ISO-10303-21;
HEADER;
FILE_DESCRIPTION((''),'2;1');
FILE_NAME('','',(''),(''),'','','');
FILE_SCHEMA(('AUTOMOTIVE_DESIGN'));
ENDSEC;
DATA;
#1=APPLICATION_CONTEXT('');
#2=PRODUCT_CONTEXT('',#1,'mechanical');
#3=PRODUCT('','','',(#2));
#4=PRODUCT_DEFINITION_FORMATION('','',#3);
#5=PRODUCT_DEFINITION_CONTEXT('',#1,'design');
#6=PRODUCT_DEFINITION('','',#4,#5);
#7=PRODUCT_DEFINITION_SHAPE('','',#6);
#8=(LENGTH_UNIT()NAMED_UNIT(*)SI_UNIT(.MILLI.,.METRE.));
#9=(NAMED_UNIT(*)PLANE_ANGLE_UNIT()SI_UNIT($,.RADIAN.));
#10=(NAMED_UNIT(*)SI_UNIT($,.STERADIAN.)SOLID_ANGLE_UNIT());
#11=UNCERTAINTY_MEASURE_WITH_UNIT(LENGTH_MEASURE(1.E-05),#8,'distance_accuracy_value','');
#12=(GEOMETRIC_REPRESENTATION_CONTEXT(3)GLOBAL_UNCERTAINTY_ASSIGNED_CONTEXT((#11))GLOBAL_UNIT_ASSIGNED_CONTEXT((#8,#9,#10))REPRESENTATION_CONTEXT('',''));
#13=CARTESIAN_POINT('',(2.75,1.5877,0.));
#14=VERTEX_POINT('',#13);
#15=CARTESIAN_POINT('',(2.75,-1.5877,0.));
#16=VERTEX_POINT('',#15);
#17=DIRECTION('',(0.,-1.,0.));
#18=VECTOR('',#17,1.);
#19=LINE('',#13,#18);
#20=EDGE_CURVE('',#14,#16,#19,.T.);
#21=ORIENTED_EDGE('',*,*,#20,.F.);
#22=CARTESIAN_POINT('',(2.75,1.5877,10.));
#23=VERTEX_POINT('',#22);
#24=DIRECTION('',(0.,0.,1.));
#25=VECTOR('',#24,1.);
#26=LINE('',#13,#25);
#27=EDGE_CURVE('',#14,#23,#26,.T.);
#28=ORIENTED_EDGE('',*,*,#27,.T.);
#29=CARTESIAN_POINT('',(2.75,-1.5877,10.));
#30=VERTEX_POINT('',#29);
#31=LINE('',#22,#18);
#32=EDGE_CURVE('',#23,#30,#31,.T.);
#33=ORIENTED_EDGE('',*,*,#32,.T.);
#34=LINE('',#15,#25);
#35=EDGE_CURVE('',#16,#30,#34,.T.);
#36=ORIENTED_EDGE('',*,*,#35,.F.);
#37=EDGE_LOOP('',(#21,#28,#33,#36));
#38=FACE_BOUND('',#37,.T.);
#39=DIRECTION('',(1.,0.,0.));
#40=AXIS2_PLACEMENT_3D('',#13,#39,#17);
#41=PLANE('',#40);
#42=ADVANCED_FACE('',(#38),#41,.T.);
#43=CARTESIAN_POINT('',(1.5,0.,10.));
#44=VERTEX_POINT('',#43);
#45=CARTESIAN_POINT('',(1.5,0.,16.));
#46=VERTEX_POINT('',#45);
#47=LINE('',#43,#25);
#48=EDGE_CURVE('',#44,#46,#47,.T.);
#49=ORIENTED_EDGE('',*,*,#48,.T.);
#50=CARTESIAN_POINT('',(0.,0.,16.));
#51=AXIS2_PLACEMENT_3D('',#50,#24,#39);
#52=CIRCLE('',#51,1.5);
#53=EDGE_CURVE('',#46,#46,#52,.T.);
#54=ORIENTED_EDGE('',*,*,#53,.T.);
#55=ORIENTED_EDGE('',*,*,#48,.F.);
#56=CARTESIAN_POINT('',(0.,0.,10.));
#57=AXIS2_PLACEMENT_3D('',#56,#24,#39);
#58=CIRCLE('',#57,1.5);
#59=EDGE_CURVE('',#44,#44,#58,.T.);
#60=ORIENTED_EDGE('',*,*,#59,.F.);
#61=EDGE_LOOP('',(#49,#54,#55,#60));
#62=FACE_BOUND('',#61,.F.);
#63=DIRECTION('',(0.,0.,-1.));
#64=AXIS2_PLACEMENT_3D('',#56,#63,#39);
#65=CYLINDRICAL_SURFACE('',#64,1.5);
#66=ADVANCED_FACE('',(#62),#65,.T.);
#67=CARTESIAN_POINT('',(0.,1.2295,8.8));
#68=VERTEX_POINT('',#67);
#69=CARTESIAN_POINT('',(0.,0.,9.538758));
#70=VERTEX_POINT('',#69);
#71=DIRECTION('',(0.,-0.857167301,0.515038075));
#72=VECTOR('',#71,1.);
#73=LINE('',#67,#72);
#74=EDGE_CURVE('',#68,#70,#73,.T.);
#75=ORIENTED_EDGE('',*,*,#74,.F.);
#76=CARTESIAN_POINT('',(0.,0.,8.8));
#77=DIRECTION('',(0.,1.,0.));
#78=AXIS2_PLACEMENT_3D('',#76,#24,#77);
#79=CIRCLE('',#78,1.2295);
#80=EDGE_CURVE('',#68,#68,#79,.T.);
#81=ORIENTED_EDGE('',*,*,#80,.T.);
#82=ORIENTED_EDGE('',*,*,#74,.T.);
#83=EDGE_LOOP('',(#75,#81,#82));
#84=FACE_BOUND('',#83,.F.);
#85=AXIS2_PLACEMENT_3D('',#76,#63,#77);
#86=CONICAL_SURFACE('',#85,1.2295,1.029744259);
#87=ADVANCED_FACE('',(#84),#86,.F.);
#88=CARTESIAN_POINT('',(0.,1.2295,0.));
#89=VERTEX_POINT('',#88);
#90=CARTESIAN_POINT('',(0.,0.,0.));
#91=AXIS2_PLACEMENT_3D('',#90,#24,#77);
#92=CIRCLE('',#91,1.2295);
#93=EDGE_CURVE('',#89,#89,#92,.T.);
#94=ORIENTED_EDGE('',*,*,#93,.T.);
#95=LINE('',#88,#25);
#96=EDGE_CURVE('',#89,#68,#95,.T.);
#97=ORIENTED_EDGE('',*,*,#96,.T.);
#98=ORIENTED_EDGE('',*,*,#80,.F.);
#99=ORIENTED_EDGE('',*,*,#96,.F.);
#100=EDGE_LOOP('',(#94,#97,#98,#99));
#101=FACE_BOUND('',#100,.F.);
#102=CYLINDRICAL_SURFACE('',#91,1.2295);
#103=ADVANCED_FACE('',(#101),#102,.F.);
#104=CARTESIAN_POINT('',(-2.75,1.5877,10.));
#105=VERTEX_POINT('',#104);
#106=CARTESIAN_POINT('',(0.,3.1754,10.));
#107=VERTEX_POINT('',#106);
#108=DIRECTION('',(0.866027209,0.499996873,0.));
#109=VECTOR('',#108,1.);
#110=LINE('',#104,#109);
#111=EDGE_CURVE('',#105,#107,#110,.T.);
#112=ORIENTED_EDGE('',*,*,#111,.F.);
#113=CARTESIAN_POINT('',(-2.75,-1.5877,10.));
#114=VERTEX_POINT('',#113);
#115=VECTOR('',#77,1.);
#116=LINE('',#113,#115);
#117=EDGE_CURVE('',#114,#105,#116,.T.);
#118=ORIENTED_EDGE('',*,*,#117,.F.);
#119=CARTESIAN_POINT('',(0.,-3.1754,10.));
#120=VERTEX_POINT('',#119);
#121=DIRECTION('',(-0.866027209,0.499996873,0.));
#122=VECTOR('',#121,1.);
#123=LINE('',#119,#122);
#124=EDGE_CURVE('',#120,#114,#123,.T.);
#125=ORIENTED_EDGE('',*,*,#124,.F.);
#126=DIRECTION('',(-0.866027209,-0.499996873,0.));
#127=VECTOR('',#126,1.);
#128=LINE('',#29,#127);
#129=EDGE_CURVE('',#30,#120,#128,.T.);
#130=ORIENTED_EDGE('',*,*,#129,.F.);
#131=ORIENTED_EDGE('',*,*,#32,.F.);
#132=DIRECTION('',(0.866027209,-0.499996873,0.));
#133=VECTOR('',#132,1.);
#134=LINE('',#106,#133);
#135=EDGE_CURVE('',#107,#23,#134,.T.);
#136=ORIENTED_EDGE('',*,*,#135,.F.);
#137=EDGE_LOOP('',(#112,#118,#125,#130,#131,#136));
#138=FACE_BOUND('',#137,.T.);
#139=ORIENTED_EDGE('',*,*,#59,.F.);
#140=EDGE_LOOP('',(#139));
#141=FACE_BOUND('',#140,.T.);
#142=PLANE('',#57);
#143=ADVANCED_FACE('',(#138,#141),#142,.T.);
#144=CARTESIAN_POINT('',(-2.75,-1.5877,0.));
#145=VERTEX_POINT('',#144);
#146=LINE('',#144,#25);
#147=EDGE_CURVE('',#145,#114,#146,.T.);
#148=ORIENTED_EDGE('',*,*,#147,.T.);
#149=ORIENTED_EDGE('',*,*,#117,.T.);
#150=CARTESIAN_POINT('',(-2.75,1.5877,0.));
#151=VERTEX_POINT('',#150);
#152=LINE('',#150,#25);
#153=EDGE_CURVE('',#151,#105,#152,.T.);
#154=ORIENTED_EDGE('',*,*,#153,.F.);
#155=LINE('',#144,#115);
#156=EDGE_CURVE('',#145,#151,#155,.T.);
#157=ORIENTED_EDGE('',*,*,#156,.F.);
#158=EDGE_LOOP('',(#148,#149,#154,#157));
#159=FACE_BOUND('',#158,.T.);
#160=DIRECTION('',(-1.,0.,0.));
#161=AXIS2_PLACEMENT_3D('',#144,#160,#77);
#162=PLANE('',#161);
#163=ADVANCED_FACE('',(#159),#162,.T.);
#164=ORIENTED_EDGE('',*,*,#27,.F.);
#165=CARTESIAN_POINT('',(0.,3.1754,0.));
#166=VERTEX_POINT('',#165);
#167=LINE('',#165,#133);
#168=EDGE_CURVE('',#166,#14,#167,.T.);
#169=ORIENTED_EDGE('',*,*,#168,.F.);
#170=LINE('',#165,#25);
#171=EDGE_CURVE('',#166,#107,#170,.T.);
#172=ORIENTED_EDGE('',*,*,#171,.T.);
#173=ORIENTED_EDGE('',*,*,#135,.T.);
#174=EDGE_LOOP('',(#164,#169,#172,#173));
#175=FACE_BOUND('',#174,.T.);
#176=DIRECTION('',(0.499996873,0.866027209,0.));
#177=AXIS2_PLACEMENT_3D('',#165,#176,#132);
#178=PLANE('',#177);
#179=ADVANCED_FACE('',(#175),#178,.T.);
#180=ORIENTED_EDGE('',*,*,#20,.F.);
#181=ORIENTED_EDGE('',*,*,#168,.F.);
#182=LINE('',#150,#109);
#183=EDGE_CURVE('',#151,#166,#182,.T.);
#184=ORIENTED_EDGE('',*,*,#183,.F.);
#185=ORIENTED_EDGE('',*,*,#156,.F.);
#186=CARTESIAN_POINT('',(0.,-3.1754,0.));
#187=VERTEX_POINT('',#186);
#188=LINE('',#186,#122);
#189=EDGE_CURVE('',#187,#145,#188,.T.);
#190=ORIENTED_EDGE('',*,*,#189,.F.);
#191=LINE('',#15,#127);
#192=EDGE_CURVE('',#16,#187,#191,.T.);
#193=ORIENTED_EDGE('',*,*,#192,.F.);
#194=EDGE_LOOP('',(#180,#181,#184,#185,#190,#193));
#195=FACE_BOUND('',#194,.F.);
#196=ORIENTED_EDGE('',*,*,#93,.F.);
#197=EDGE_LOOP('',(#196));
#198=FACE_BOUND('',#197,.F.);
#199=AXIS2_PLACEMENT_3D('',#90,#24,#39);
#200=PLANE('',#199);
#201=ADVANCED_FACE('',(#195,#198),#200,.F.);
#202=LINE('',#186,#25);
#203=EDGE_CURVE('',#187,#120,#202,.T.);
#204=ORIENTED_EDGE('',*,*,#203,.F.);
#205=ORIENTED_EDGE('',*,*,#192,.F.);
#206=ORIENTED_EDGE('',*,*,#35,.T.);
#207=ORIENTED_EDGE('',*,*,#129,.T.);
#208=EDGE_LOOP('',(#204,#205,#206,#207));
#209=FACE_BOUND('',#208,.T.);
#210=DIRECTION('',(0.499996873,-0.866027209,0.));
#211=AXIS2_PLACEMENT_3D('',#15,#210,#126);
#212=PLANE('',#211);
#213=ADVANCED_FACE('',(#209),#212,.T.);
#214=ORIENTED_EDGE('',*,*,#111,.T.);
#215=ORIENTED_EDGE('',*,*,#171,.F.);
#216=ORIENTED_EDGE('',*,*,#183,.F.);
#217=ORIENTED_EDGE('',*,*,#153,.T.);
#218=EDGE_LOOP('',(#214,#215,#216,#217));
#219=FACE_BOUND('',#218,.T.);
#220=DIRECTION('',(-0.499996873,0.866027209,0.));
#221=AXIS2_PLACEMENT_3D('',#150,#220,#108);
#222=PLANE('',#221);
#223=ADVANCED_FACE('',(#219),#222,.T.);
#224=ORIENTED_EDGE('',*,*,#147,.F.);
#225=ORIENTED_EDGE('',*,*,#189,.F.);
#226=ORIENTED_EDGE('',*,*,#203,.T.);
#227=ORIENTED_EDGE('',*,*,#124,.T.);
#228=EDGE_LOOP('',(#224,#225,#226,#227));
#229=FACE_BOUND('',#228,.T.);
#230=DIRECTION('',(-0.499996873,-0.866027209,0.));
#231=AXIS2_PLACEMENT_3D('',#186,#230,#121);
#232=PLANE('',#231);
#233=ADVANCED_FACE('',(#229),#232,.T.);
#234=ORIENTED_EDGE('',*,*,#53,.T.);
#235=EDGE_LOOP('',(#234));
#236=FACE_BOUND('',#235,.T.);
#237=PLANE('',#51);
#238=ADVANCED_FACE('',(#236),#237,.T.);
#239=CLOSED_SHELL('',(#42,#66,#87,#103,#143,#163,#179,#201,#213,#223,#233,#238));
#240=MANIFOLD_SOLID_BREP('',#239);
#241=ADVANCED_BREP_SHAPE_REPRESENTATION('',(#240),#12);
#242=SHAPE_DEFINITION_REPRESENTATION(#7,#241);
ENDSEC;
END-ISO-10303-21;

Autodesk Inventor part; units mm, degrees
ref_plane "YZ Plane" through (0, 0, 0) normal (1, 0, 0) x (0, 1, 0)
ref_plane "XZ Plane" through (0, 0, 0) normal (0, 1, 0) x (-1, 0, 0)
ref_plane "XY Plane" through (0, 0, 0) normal (0, 0, 1) x (1, 0, 0)
sketch "スケッチ1" plane through (0, 0, 0) normal (0, 0, 1) x (1, 0, 0)
  line L0 (0, 3.1754) -> (2.75, 1.5877)
  line L1 (2.75, 1.5877) -> (2.75, -1.5877)
  line L2 (2.75, -1.5877) -> (0, -3.1754)
  line L3 (0, -3.1754) -> (-2.75, -1.5877)
  line L4 (-2.75, -1.5877) -> (-2.75, 1.5877)
  line L5 (-2.75, 1.5877) -> (0, 3.1754)
  point P0 (0, 0)
  point P1 (0, 0)
  dimension "d0" = 5.5
extrude "押し出し1" add sketch "スケッチ1" along normal blind 10
sketch "スケッチ2" plane through (0, 0, 10) normal (0, 0, 1) x (1, 0, 0)
  circle A0 centre (0, 0) radius 1.5
  dimension "d3" = 3
extrude "押し出し2" add sketch "スケッチ2" along normal blind 6
thread "ねじ1" size "M3x0.5" class "6g" standard "ANSI Metric M Profile" full length
sketch "スケッチ3" plane through (0, 0, 0) normal (0, 0, -1) x (-1, 0, 0)
  point P0 (0, 0)
hole "穴1" at (0, 0, 0) direction (0, 0, 1) diameter 2.459 depth 8.8 tip angle 118 thread size "M3x0.5" class "6H" standard "ISO Metric profile"
properties part number "ステンレススペーサー（六角）_BSU-310" material "ステンレス鋼"
